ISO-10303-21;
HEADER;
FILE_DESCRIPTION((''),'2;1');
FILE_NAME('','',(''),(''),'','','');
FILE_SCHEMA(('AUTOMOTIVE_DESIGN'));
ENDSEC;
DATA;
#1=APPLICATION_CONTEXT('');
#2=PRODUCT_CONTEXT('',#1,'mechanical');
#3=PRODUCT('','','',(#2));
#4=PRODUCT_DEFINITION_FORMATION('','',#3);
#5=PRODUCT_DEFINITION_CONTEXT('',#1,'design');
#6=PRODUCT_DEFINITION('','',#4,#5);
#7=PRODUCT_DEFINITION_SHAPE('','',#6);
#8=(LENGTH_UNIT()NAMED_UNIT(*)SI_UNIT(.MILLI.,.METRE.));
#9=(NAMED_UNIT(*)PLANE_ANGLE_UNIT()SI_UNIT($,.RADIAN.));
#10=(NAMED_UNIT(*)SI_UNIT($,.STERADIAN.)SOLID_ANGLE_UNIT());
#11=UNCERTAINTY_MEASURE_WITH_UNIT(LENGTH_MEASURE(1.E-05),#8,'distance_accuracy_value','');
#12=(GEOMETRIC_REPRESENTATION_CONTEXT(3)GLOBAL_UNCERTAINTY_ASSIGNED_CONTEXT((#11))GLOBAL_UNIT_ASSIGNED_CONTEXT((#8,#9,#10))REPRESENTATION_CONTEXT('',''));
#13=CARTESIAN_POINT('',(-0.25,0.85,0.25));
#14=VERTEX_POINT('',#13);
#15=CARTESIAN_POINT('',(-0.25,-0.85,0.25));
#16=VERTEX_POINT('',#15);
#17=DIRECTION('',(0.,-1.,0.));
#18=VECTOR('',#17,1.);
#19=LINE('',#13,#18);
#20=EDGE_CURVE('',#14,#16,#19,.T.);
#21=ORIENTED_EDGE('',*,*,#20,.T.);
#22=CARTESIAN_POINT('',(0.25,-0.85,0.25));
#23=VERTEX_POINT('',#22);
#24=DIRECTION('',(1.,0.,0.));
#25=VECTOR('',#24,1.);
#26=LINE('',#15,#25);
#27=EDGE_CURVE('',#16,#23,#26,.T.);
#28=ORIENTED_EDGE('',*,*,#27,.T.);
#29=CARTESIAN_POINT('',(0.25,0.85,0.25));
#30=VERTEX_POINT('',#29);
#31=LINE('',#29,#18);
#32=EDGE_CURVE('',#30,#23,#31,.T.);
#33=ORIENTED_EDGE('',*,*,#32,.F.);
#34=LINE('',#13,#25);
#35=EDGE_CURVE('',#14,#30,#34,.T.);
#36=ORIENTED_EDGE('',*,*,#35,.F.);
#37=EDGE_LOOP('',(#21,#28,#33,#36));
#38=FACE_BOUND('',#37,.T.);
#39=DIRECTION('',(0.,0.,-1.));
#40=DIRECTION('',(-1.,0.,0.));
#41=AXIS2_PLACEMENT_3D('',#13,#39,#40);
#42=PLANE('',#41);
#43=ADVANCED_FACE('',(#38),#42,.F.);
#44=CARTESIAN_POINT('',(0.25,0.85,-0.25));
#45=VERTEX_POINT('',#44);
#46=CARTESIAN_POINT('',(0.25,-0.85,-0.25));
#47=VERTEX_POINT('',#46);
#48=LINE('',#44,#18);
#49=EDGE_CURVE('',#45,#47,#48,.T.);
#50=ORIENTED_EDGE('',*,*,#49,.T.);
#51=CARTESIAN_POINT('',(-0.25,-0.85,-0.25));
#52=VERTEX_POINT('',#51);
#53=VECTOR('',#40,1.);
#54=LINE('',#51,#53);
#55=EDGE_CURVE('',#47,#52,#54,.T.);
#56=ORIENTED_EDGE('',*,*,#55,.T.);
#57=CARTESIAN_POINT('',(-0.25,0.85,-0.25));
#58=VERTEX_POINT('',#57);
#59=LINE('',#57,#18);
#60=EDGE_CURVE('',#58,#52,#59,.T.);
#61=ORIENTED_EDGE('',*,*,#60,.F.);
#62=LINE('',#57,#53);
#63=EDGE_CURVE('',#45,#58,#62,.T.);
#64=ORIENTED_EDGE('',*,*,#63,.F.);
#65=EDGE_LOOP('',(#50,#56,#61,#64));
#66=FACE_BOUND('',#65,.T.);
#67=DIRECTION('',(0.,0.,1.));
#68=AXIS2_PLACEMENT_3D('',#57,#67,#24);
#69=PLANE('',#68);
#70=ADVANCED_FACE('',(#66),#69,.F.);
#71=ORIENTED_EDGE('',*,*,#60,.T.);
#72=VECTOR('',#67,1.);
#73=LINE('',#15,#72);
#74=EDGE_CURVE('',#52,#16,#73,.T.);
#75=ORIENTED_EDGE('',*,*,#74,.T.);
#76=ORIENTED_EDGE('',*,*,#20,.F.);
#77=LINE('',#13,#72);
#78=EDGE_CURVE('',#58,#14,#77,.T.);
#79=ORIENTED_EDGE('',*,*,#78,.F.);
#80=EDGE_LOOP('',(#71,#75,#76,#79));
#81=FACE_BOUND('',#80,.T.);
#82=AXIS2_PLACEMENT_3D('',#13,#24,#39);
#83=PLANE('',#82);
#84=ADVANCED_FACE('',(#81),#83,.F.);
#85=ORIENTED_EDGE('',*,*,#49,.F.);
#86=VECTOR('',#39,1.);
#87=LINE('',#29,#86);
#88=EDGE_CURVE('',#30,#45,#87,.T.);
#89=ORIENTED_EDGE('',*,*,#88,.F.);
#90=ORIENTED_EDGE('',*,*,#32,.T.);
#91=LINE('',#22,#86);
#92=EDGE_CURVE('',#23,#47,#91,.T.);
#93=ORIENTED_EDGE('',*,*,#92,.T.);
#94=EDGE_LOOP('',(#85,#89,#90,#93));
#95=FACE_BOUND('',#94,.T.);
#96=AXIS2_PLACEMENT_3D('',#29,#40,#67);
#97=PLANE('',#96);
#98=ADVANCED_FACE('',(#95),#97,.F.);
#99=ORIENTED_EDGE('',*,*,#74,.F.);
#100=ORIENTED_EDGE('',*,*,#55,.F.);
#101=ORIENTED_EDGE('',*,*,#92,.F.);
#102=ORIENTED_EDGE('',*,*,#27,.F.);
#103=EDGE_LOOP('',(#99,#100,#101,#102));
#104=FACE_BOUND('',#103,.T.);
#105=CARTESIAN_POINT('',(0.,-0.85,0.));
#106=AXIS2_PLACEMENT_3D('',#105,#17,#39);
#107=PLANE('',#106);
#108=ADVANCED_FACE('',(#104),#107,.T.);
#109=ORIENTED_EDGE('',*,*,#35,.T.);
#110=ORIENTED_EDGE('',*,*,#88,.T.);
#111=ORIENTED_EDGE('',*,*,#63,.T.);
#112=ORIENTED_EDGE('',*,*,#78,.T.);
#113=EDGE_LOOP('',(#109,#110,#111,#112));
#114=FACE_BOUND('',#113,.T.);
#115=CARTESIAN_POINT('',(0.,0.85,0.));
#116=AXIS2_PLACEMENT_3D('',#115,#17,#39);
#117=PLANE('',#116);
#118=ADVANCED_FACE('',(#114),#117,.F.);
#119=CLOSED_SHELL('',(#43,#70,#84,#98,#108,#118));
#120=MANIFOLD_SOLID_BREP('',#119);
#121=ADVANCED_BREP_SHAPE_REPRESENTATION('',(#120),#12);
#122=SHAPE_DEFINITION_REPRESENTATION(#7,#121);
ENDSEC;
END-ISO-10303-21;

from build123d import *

# Parameters (mm, degrees)
SKETCH1_W           = 0.5
SKETCH1_H           = 0.5
BOSS_EXTRUDE1_DEPTH = 0.85


with BuildPart() as part:
    # Sketch1 → Boss-Extrude1 (new body, symmetric)
    with BuildSketch(Plane(origin=(0, 0, 0), x_dir=(1, 0, 0), z_dir=(0, 1, 0))):
        Rectangle(SKETCH1_W, SKETCH1_H)
    extrude(amount=BOSS_EXTRUDE1_DEPTH, both=True)


solid = part.part
